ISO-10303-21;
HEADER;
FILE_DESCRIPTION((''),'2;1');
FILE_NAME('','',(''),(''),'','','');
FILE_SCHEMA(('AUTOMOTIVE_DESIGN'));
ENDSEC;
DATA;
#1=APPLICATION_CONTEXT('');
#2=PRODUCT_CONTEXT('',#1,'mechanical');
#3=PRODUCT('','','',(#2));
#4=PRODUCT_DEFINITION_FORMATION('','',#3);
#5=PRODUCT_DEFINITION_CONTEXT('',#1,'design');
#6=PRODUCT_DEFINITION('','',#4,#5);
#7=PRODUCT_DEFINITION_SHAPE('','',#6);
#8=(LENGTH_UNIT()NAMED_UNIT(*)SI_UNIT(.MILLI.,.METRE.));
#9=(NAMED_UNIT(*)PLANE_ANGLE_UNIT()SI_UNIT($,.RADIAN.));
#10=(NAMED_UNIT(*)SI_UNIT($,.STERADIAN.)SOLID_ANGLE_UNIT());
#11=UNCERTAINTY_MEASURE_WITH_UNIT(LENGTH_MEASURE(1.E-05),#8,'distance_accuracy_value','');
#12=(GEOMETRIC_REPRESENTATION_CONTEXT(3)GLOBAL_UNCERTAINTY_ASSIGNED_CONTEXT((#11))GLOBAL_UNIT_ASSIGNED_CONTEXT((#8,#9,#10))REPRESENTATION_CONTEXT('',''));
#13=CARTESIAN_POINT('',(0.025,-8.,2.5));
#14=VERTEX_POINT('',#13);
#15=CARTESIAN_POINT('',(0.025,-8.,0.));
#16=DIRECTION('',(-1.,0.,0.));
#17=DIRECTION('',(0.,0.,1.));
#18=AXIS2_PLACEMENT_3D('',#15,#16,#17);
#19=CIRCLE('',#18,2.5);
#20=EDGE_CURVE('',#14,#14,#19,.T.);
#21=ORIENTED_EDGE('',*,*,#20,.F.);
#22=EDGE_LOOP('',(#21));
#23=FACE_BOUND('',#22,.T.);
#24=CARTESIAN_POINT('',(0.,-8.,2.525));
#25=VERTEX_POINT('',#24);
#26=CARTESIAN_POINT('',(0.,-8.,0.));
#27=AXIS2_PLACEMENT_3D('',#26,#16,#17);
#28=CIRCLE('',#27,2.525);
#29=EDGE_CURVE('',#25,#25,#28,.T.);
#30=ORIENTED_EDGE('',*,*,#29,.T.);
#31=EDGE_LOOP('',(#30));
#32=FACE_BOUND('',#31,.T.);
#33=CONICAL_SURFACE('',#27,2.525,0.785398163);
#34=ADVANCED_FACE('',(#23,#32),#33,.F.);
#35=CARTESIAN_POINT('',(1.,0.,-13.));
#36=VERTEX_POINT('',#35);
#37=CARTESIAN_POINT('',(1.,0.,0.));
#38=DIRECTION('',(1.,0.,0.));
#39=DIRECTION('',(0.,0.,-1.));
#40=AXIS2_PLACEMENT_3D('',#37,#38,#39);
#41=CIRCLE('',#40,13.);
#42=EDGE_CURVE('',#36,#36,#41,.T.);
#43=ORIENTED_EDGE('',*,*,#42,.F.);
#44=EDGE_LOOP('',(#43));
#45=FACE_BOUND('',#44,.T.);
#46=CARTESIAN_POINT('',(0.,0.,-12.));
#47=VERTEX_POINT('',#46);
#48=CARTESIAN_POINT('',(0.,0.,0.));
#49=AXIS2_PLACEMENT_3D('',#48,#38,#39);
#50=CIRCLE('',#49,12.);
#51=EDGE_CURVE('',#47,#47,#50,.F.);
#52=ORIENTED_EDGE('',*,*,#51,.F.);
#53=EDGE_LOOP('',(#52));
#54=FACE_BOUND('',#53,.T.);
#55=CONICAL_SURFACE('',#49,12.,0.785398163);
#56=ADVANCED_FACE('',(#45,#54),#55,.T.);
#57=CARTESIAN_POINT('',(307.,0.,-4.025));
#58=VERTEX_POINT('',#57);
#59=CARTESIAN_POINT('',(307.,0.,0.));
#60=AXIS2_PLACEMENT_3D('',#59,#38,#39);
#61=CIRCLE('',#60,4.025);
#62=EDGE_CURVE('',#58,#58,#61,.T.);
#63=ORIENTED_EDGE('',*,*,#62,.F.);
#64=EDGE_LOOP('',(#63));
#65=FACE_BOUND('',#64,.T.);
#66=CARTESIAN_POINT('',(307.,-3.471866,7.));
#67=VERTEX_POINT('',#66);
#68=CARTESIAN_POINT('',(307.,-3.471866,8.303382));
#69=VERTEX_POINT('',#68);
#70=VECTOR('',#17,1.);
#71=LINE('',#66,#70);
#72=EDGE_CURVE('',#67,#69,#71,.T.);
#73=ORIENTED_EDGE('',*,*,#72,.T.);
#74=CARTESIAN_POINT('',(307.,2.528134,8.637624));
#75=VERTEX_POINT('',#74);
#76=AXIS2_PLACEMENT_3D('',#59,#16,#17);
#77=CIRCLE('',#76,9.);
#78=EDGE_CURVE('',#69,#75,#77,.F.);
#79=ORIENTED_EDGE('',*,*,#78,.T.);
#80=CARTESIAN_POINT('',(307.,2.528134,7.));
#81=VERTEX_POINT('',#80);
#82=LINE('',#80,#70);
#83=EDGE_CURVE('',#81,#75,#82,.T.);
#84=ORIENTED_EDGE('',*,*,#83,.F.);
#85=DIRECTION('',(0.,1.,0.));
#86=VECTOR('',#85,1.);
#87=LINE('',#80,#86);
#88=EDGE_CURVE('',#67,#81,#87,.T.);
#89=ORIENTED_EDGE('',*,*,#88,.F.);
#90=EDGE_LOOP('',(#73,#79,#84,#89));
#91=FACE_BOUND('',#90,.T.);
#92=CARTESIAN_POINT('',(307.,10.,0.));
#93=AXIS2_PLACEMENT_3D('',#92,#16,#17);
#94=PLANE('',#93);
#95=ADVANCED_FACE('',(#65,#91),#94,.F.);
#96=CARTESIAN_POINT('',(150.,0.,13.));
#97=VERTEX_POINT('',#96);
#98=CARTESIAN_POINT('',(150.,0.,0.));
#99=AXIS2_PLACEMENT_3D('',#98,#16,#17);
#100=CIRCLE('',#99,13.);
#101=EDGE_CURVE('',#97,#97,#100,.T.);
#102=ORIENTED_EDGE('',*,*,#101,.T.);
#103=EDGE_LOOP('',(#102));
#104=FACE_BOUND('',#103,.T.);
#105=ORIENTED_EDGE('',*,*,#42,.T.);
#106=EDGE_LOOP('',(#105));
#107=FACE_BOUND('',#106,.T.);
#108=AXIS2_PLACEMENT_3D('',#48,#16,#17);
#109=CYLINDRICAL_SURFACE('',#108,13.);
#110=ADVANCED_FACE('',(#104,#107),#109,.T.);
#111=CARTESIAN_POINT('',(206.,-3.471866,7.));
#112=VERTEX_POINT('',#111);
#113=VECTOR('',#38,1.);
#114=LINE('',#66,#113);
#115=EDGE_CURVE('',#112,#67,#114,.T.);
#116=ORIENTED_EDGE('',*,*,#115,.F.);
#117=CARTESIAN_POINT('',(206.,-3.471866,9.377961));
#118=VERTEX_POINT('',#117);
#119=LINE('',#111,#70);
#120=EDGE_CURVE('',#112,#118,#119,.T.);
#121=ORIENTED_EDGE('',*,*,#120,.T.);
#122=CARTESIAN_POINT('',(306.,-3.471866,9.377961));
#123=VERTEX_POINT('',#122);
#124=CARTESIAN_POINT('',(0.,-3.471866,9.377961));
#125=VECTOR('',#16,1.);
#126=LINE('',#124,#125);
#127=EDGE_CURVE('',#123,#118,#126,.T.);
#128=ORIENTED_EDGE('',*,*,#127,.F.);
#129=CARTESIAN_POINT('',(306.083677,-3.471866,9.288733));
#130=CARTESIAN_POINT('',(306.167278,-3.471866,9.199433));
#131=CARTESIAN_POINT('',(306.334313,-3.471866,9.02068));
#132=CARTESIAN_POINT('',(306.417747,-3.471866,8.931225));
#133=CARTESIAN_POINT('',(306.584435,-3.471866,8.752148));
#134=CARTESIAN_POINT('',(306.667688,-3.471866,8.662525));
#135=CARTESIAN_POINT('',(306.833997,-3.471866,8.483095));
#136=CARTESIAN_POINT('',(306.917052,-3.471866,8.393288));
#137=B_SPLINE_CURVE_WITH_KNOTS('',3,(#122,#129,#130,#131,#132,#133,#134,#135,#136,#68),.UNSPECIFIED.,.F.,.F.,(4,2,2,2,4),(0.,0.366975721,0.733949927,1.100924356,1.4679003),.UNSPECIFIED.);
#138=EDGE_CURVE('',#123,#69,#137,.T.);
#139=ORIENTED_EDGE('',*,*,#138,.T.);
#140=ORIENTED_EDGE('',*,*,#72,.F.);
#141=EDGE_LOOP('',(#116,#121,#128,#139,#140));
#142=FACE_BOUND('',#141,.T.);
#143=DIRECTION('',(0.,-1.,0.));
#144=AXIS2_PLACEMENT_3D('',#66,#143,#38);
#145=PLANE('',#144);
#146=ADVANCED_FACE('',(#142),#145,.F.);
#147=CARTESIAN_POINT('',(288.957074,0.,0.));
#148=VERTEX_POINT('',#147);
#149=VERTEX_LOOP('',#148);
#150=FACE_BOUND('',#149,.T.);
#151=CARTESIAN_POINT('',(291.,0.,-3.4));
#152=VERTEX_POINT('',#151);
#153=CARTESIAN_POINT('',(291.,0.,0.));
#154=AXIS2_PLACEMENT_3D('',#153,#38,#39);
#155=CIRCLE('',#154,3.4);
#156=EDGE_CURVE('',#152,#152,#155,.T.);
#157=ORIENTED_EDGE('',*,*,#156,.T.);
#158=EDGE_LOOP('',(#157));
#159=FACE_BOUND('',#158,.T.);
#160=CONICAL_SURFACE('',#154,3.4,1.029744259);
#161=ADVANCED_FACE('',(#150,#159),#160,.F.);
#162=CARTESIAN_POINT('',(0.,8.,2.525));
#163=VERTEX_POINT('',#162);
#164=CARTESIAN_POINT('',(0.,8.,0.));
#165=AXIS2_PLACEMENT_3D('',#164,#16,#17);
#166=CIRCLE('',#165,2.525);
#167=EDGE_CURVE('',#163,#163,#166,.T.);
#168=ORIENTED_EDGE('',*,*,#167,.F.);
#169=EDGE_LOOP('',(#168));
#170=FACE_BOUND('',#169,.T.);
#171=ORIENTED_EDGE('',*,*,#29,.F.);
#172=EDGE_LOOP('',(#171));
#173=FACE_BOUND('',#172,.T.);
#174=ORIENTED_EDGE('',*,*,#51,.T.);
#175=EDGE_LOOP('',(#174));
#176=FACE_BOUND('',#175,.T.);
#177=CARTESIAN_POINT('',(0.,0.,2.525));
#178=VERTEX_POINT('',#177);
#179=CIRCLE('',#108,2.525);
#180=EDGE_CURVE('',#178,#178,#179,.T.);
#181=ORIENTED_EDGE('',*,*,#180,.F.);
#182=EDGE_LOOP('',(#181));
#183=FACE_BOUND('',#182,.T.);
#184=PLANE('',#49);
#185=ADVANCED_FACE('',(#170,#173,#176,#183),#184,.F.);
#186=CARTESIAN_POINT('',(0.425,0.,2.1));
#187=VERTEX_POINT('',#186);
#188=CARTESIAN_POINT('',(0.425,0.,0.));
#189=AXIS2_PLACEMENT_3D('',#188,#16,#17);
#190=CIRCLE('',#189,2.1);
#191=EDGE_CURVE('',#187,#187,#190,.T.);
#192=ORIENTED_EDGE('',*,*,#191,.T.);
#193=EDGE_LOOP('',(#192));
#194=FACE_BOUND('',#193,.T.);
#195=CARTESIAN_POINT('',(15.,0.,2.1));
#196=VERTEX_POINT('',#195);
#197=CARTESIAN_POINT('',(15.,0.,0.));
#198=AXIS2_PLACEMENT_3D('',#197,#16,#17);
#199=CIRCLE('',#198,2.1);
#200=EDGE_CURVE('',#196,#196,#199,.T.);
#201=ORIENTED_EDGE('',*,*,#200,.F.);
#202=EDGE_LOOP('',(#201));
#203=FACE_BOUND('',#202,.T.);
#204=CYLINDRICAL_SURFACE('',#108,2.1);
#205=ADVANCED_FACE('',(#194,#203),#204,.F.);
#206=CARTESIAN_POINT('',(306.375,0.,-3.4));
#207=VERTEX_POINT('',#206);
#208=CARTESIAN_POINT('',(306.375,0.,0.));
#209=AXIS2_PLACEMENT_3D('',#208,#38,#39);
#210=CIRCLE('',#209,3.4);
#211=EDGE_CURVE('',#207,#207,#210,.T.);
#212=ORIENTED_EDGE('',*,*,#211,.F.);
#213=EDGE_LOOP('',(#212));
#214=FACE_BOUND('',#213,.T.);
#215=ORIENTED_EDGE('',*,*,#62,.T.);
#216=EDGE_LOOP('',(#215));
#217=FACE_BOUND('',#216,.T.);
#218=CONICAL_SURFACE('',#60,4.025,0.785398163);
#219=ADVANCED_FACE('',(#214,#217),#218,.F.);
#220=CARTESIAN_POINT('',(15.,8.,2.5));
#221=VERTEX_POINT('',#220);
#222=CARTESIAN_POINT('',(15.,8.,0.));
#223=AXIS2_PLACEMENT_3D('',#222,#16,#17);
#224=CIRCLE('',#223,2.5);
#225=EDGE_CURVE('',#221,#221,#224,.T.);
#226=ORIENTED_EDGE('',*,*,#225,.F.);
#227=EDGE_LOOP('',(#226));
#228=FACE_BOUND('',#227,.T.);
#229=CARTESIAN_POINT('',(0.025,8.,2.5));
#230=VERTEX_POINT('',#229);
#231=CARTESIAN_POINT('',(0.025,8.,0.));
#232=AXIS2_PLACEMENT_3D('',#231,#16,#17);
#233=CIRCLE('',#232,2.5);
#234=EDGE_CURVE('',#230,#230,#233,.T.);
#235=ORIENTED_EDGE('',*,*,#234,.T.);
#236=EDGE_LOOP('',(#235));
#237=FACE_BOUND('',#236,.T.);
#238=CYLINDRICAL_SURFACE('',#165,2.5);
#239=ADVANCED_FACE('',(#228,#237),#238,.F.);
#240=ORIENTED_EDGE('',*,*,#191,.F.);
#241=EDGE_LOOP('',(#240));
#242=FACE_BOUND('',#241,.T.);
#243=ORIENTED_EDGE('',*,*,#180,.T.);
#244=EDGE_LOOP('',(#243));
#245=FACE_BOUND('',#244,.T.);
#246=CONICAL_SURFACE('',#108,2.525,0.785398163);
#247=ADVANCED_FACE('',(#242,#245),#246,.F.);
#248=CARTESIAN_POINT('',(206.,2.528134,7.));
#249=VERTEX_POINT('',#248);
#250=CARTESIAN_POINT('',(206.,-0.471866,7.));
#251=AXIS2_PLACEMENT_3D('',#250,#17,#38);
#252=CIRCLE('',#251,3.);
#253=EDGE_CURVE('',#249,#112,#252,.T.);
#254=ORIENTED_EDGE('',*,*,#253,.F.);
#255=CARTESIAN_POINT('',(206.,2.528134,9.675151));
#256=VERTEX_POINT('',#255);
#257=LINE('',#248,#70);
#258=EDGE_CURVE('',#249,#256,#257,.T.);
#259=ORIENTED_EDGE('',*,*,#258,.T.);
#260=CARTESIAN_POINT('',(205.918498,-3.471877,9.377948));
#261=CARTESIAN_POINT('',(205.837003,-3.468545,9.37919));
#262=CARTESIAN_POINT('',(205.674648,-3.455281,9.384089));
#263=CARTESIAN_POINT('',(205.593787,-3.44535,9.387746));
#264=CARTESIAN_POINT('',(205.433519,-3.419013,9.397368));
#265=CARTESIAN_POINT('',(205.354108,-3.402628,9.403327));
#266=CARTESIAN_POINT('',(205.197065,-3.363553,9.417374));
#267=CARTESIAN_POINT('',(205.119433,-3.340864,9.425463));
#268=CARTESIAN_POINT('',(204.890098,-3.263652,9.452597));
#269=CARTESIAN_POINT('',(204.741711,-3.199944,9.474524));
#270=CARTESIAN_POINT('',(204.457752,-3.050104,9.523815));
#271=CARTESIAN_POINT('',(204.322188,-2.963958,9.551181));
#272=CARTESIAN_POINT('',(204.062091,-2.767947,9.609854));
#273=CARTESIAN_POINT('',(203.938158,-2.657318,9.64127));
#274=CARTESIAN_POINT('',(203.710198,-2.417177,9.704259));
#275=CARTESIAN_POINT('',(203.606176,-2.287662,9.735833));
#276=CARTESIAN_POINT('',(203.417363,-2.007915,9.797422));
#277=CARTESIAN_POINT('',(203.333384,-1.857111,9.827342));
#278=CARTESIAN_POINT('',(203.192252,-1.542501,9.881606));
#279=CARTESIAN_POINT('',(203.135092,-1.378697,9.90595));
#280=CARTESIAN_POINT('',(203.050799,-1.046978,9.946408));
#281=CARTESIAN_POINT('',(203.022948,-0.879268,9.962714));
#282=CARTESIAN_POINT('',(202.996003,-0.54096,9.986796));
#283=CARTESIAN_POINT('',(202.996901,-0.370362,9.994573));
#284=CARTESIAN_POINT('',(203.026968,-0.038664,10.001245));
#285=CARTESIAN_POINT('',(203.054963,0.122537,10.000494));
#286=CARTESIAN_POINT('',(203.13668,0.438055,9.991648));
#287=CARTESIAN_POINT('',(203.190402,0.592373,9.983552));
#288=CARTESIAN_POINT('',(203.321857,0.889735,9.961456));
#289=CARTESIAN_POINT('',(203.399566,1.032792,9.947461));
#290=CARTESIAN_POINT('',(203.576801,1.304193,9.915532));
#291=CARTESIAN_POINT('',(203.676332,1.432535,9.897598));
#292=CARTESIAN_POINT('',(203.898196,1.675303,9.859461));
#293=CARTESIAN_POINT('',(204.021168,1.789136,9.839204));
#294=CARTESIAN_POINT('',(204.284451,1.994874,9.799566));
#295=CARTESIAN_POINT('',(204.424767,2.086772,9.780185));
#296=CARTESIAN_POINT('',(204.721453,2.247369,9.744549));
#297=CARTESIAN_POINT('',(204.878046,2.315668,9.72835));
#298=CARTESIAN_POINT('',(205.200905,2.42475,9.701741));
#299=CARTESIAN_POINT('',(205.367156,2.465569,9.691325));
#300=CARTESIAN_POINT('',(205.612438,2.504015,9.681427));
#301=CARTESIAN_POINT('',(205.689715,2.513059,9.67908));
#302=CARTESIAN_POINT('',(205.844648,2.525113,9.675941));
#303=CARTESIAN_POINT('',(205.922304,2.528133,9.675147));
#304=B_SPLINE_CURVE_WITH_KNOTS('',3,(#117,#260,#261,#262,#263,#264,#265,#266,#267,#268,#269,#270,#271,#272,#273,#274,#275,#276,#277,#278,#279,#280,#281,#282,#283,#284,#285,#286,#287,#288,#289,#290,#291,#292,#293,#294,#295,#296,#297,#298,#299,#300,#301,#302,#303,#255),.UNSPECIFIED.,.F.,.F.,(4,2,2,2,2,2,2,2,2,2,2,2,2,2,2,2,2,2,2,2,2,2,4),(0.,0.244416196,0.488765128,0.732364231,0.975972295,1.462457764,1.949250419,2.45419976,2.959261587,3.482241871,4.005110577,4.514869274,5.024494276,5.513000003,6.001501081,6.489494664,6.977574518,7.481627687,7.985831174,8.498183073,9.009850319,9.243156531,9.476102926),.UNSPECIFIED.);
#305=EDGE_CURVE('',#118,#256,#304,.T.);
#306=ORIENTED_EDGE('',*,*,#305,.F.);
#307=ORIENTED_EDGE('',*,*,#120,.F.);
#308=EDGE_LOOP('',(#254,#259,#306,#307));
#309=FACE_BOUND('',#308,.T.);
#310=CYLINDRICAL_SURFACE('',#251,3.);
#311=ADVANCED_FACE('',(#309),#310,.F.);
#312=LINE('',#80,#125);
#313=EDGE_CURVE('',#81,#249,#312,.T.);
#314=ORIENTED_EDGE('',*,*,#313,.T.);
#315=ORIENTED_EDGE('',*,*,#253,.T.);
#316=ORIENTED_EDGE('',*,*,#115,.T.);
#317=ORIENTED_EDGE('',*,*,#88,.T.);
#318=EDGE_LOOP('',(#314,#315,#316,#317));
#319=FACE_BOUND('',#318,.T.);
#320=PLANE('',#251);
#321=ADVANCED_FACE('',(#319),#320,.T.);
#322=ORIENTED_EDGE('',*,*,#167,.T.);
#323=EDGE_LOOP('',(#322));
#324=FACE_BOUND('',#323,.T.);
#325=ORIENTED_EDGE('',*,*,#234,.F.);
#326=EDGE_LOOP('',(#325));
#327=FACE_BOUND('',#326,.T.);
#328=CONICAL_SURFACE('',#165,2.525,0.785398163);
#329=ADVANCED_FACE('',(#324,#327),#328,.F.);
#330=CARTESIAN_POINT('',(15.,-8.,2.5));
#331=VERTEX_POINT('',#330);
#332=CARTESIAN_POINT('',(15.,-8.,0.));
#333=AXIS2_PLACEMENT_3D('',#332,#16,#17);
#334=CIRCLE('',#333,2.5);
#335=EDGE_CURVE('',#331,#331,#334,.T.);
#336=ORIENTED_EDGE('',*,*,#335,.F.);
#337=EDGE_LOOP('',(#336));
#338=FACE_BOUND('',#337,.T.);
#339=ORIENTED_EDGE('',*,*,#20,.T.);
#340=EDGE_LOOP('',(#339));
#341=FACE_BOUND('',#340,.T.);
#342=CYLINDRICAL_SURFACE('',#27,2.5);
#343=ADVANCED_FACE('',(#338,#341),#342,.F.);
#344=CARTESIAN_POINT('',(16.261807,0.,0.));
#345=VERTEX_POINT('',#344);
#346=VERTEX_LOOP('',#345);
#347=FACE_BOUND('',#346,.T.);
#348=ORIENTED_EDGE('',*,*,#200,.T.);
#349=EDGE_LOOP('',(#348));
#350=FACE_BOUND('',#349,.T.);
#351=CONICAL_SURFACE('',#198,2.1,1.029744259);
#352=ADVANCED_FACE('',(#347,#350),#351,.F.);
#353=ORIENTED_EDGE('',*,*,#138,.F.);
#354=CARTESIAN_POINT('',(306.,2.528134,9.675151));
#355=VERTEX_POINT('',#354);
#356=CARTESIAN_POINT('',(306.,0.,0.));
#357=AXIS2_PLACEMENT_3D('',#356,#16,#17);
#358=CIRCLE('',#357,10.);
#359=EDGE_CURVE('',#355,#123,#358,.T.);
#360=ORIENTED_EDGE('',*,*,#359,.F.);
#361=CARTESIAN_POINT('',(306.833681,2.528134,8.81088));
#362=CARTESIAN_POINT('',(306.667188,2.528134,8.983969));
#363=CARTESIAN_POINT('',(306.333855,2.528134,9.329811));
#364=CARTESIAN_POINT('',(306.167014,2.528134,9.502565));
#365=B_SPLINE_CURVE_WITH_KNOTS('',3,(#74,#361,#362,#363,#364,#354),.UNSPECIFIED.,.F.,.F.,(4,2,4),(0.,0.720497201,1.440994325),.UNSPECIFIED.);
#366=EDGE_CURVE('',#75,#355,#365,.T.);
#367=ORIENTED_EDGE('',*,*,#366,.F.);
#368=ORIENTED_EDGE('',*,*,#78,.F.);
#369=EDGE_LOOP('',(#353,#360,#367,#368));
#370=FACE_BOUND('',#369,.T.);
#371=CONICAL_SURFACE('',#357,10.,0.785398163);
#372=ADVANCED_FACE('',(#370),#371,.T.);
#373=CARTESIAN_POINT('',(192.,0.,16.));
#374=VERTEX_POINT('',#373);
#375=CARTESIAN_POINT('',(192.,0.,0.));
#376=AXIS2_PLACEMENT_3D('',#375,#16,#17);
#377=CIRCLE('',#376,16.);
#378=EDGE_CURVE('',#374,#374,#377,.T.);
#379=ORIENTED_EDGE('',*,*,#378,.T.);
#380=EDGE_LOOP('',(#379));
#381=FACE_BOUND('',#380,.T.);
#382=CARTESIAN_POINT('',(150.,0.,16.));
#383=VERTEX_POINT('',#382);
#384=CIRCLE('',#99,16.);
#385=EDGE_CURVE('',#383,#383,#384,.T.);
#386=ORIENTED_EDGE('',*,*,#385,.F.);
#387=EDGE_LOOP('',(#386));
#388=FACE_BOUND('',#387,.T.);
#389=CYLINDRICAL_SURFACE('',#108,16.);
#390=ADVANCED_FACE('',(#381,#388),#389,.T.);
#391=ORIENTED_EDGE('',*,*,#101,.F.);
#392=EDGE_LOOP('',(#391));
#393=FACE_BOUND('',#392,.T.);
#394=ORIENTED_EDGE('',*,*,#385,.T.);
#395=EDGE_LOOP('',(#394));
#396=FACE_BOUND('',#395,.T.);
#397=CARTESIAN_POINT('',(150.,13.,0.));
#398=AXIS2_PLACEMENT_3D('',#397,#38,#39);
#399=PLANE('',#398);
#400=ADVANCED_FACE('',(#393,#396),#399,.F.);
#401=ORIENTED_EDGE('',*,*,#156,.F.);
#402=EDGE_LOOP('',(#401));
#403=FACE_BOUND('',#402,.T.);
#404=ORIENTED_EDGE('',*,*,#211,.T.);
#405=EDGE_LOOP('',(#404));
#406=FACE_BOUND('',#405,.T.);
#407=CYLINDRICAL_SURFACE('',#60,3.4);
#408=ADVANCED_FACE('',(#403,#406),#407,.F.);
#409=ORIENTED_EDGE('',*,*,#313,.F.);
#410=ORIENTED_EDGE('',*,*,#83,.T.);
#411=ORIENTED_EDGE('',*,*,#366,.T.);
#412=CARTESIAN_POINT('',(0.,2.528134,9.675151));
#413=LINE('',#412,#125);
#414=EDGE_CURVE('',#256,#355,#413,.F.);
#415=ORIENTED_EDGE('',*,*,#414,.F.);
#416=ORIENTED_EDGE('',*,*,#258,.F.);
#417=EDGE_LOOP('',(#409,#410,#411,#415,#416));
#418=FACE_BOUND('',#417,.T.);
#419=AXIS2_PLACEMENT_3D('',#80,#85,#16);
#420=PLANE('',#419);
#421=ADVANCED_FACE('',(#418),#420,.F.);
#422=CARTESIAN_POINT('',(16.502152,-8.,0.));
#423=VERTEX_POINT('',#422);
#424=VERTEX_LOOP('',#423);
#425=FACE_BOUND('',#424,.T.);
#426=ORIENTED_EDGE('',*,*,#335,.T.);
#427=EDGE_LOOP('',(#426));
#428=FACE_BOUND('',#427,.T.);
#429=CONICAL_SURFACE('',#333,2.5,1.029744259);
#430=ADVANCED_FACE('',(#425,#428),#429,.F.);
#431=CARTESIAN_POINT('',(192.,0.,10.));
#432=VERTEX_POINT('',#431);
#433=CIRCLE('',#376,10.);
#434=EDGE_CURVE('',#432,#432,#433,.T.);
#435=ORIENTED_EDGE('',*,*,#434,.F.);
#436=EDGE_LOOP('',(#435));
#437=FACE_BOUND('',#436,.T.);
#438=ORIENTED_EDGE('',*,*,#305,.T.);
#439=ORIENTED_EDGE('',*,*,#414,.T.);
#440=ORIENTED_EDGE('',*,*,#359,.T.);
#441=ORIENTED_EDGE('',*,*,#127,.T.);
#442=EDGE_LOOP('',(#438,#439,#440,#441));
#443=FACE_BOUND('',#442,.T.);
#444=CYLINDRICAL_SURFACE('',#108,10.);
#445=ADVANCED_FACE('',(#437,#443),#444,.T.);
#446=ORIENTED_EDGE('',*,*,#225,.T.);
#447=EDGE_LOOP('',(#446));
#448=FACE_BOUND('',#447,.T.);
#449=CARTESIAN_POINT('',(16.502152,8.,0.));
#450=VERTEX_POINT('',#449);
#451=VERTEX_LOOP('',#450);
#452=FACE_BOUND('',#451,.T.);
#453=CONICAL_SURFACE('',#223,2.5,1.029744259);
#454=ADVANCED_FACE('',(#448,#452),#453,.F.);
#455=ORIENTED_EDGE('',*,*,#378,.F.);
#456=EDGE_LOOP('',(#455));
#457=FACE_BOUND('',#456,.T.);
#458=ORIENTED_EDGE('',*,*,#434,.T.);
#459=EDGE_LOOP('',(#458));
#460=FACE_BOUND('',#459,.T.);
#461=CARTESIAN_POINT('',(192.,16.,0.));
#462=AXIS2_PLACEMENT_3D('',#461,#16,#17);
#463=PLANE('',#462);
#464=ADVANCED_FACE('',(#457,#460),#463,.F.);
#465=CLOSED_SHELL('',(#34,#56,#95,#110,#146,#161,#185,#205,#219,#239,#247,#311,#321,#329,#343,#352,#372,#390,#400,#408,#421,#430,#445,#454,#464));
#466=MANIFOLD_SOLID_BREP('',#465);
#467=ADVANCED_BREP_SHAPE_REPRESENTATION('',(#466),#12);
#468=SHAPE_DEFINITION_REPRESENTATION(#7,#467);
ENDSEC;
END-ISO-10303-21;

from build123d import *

# Parameters (mm, degrees)
F_5_0MM_DOWEL_HOLE1_D           = 5
F_5_0MM_DOWEL_HOLE1_DEPTH       = 15
F_5_0MM_DOWEL_HOLE1_CSINK_D     = 5.05
F_5_0MM_DOWEL_HOLE1_CSINK_ANGLE = 90
F_5_0MM_DOWEL_HOLE1_TIP         = 1.502151548
M5_TAPPED_HOLE1_D               = 4.2
M5_TAPPED_HOLE1_DEPTH           = 15
M5_TAPPED_HOLE1_CSINK_D         = 5.05
M5_TAPPED_HOLE1_CSINK_ANGLE     = 90
M5_TAPPED_HOLE1_TIP             = 1.2618073
CUT_EXTRUDE1_DEPTH              = 3
CHAMFER1_SIZE                   = 1
M8_TAPPED_HOLE1_D               = 6.8
M8_TAPPED_HOLE1_DEPTH           = 16
M8_TAPPED_HOLE1_CSINK_D         = 8.05
M8_TAPPED_HOLE1_CSINK_ANGLE     = 90
M8_TAPPED_HOLE1_TIP             = 2.042926105


with BuildPart() as part:
    # Sketch1 → Revolve1 (revolve)
    with BuildSketch(Plane.XY, mode=Mode.PRIVATE) as revolve1_sk:
        Polygon((0, 0), (0, 13), (150, 13), (150, 16), (192, 16), (192, 10), (307, 10), (307, 0), align=None)
    revolve(revolve1_sk.sketch.rotate(Axis((0, 0, 0), (1, 0, 0)), 90), axis=Axis((0, 0, 0), (1, 0, 0)))

    # Ø5.0mm Dowel Hole1
    with Locations(Plane.ZY):
        with Locations((0, 8), (0, -8)):
            CounterSinkHole(F_5_0MM_DOWEL_HOLE1_D / 2, F_5_0MM_DOWEL_HOLE1_CSINK_D / 2, depth=F_5_0MM_DOWEL_HOLE1_DEPTH, counter_sink_angle=F_5_0MM_DOWEL_HOLE1_CSINK_ANGLE)
            with Locations((0, 0, -(F_5_0MM_DOWEL_HOLE1_DEPTH + F_5_0MM_DOWEL_HOLE1_TIP / 2))):  # 118° drill point
                Cone(0, F_5_0MM_DOWEL_HOLE1_D / 2, F_5_0MM_DOWEL_HOLE1_TIP, mode=Mode.SUBTRACT)

    # M5 Tapped Hole1
    with Locations(Plane.ZY):
        with Locations((0, 0)):
            CounterSinkHole(M5_TAPPED_HOLE1_D / 2, M5_TAPPED_HOLE1_CSINK_D / 2, depth=M5_TAPPED_HOLE1_DEPTH, counter_sink_angle=M5_TAPPED_HOLE1_CSINK_ANGLE)
            with Locations((0, 0, -(M5_TAPPED_HOLE1_DEPTH + M5_TAPPED_HOLE1_TIP / 2))):  # 118° drill point
                Cone(0, M5_TAPPED_HOLE1_D / 2, M5_TAPPED_HOLE1_TIP, mode=Mode.SUBTRACT)

    # Sketch7 → Cut-Extrude1 (cut)
    with BuildSketch(Plane.XY.offset(10)):
        with BuildLine():
            Line((307, 2.528133731), (206, 2.528133731))
            ThreePointArc((206, 2.528133731), (203, -0.471866269), (206, -3.471866269))
            Line((206, -3.471866269), (307, -3.471866269))
            Line((307, -3.471866269), (307, 2.528133731))
        make_face()
    extrude(amount=-CUT_EXTRUDE1_DEPTH, mode=Mode.SUBTRACT)

    # Chamfer1
    chamfer1_edges = [part.edges().sort_by_distance(p)[0] for p in [
        (307, 0.494710277, -9.987755591),
        (0, 0, -13),
    ]]
    chamfer(chamfer1_edges, length=CHAMFER1_SIZE)

    # M8 Tapped Hole1
    with Locations(Plane(origin=(307, 0, 0), x_dir=(0, 0, -1), z_dir=(1, 0, 0))):
        with Locations((0, 0)):
            CounterSinkHole(M8_TAPPED_HOLE1_D / 2, M8_TAPPED_HOLE1_CSINK_D / 2, depth=M8_TAPPED_HOLE1_DEPTH, counter_sink_angle=M8_TAPPED_HOLE1_CSINK_ANGLE)
            with Locations((0, 0, -(M8_TAPPED_HOLE1_DEPTH + M8_TAPPED_HOLE1_TIP / 2))):  # 118° drill point
                Cone(0, M8_TAPPED_HOLE1_D / 2, M8_TAPPED_HOLE1_TIP, mode=Mode.SUBTRACT)


solid = part.part
